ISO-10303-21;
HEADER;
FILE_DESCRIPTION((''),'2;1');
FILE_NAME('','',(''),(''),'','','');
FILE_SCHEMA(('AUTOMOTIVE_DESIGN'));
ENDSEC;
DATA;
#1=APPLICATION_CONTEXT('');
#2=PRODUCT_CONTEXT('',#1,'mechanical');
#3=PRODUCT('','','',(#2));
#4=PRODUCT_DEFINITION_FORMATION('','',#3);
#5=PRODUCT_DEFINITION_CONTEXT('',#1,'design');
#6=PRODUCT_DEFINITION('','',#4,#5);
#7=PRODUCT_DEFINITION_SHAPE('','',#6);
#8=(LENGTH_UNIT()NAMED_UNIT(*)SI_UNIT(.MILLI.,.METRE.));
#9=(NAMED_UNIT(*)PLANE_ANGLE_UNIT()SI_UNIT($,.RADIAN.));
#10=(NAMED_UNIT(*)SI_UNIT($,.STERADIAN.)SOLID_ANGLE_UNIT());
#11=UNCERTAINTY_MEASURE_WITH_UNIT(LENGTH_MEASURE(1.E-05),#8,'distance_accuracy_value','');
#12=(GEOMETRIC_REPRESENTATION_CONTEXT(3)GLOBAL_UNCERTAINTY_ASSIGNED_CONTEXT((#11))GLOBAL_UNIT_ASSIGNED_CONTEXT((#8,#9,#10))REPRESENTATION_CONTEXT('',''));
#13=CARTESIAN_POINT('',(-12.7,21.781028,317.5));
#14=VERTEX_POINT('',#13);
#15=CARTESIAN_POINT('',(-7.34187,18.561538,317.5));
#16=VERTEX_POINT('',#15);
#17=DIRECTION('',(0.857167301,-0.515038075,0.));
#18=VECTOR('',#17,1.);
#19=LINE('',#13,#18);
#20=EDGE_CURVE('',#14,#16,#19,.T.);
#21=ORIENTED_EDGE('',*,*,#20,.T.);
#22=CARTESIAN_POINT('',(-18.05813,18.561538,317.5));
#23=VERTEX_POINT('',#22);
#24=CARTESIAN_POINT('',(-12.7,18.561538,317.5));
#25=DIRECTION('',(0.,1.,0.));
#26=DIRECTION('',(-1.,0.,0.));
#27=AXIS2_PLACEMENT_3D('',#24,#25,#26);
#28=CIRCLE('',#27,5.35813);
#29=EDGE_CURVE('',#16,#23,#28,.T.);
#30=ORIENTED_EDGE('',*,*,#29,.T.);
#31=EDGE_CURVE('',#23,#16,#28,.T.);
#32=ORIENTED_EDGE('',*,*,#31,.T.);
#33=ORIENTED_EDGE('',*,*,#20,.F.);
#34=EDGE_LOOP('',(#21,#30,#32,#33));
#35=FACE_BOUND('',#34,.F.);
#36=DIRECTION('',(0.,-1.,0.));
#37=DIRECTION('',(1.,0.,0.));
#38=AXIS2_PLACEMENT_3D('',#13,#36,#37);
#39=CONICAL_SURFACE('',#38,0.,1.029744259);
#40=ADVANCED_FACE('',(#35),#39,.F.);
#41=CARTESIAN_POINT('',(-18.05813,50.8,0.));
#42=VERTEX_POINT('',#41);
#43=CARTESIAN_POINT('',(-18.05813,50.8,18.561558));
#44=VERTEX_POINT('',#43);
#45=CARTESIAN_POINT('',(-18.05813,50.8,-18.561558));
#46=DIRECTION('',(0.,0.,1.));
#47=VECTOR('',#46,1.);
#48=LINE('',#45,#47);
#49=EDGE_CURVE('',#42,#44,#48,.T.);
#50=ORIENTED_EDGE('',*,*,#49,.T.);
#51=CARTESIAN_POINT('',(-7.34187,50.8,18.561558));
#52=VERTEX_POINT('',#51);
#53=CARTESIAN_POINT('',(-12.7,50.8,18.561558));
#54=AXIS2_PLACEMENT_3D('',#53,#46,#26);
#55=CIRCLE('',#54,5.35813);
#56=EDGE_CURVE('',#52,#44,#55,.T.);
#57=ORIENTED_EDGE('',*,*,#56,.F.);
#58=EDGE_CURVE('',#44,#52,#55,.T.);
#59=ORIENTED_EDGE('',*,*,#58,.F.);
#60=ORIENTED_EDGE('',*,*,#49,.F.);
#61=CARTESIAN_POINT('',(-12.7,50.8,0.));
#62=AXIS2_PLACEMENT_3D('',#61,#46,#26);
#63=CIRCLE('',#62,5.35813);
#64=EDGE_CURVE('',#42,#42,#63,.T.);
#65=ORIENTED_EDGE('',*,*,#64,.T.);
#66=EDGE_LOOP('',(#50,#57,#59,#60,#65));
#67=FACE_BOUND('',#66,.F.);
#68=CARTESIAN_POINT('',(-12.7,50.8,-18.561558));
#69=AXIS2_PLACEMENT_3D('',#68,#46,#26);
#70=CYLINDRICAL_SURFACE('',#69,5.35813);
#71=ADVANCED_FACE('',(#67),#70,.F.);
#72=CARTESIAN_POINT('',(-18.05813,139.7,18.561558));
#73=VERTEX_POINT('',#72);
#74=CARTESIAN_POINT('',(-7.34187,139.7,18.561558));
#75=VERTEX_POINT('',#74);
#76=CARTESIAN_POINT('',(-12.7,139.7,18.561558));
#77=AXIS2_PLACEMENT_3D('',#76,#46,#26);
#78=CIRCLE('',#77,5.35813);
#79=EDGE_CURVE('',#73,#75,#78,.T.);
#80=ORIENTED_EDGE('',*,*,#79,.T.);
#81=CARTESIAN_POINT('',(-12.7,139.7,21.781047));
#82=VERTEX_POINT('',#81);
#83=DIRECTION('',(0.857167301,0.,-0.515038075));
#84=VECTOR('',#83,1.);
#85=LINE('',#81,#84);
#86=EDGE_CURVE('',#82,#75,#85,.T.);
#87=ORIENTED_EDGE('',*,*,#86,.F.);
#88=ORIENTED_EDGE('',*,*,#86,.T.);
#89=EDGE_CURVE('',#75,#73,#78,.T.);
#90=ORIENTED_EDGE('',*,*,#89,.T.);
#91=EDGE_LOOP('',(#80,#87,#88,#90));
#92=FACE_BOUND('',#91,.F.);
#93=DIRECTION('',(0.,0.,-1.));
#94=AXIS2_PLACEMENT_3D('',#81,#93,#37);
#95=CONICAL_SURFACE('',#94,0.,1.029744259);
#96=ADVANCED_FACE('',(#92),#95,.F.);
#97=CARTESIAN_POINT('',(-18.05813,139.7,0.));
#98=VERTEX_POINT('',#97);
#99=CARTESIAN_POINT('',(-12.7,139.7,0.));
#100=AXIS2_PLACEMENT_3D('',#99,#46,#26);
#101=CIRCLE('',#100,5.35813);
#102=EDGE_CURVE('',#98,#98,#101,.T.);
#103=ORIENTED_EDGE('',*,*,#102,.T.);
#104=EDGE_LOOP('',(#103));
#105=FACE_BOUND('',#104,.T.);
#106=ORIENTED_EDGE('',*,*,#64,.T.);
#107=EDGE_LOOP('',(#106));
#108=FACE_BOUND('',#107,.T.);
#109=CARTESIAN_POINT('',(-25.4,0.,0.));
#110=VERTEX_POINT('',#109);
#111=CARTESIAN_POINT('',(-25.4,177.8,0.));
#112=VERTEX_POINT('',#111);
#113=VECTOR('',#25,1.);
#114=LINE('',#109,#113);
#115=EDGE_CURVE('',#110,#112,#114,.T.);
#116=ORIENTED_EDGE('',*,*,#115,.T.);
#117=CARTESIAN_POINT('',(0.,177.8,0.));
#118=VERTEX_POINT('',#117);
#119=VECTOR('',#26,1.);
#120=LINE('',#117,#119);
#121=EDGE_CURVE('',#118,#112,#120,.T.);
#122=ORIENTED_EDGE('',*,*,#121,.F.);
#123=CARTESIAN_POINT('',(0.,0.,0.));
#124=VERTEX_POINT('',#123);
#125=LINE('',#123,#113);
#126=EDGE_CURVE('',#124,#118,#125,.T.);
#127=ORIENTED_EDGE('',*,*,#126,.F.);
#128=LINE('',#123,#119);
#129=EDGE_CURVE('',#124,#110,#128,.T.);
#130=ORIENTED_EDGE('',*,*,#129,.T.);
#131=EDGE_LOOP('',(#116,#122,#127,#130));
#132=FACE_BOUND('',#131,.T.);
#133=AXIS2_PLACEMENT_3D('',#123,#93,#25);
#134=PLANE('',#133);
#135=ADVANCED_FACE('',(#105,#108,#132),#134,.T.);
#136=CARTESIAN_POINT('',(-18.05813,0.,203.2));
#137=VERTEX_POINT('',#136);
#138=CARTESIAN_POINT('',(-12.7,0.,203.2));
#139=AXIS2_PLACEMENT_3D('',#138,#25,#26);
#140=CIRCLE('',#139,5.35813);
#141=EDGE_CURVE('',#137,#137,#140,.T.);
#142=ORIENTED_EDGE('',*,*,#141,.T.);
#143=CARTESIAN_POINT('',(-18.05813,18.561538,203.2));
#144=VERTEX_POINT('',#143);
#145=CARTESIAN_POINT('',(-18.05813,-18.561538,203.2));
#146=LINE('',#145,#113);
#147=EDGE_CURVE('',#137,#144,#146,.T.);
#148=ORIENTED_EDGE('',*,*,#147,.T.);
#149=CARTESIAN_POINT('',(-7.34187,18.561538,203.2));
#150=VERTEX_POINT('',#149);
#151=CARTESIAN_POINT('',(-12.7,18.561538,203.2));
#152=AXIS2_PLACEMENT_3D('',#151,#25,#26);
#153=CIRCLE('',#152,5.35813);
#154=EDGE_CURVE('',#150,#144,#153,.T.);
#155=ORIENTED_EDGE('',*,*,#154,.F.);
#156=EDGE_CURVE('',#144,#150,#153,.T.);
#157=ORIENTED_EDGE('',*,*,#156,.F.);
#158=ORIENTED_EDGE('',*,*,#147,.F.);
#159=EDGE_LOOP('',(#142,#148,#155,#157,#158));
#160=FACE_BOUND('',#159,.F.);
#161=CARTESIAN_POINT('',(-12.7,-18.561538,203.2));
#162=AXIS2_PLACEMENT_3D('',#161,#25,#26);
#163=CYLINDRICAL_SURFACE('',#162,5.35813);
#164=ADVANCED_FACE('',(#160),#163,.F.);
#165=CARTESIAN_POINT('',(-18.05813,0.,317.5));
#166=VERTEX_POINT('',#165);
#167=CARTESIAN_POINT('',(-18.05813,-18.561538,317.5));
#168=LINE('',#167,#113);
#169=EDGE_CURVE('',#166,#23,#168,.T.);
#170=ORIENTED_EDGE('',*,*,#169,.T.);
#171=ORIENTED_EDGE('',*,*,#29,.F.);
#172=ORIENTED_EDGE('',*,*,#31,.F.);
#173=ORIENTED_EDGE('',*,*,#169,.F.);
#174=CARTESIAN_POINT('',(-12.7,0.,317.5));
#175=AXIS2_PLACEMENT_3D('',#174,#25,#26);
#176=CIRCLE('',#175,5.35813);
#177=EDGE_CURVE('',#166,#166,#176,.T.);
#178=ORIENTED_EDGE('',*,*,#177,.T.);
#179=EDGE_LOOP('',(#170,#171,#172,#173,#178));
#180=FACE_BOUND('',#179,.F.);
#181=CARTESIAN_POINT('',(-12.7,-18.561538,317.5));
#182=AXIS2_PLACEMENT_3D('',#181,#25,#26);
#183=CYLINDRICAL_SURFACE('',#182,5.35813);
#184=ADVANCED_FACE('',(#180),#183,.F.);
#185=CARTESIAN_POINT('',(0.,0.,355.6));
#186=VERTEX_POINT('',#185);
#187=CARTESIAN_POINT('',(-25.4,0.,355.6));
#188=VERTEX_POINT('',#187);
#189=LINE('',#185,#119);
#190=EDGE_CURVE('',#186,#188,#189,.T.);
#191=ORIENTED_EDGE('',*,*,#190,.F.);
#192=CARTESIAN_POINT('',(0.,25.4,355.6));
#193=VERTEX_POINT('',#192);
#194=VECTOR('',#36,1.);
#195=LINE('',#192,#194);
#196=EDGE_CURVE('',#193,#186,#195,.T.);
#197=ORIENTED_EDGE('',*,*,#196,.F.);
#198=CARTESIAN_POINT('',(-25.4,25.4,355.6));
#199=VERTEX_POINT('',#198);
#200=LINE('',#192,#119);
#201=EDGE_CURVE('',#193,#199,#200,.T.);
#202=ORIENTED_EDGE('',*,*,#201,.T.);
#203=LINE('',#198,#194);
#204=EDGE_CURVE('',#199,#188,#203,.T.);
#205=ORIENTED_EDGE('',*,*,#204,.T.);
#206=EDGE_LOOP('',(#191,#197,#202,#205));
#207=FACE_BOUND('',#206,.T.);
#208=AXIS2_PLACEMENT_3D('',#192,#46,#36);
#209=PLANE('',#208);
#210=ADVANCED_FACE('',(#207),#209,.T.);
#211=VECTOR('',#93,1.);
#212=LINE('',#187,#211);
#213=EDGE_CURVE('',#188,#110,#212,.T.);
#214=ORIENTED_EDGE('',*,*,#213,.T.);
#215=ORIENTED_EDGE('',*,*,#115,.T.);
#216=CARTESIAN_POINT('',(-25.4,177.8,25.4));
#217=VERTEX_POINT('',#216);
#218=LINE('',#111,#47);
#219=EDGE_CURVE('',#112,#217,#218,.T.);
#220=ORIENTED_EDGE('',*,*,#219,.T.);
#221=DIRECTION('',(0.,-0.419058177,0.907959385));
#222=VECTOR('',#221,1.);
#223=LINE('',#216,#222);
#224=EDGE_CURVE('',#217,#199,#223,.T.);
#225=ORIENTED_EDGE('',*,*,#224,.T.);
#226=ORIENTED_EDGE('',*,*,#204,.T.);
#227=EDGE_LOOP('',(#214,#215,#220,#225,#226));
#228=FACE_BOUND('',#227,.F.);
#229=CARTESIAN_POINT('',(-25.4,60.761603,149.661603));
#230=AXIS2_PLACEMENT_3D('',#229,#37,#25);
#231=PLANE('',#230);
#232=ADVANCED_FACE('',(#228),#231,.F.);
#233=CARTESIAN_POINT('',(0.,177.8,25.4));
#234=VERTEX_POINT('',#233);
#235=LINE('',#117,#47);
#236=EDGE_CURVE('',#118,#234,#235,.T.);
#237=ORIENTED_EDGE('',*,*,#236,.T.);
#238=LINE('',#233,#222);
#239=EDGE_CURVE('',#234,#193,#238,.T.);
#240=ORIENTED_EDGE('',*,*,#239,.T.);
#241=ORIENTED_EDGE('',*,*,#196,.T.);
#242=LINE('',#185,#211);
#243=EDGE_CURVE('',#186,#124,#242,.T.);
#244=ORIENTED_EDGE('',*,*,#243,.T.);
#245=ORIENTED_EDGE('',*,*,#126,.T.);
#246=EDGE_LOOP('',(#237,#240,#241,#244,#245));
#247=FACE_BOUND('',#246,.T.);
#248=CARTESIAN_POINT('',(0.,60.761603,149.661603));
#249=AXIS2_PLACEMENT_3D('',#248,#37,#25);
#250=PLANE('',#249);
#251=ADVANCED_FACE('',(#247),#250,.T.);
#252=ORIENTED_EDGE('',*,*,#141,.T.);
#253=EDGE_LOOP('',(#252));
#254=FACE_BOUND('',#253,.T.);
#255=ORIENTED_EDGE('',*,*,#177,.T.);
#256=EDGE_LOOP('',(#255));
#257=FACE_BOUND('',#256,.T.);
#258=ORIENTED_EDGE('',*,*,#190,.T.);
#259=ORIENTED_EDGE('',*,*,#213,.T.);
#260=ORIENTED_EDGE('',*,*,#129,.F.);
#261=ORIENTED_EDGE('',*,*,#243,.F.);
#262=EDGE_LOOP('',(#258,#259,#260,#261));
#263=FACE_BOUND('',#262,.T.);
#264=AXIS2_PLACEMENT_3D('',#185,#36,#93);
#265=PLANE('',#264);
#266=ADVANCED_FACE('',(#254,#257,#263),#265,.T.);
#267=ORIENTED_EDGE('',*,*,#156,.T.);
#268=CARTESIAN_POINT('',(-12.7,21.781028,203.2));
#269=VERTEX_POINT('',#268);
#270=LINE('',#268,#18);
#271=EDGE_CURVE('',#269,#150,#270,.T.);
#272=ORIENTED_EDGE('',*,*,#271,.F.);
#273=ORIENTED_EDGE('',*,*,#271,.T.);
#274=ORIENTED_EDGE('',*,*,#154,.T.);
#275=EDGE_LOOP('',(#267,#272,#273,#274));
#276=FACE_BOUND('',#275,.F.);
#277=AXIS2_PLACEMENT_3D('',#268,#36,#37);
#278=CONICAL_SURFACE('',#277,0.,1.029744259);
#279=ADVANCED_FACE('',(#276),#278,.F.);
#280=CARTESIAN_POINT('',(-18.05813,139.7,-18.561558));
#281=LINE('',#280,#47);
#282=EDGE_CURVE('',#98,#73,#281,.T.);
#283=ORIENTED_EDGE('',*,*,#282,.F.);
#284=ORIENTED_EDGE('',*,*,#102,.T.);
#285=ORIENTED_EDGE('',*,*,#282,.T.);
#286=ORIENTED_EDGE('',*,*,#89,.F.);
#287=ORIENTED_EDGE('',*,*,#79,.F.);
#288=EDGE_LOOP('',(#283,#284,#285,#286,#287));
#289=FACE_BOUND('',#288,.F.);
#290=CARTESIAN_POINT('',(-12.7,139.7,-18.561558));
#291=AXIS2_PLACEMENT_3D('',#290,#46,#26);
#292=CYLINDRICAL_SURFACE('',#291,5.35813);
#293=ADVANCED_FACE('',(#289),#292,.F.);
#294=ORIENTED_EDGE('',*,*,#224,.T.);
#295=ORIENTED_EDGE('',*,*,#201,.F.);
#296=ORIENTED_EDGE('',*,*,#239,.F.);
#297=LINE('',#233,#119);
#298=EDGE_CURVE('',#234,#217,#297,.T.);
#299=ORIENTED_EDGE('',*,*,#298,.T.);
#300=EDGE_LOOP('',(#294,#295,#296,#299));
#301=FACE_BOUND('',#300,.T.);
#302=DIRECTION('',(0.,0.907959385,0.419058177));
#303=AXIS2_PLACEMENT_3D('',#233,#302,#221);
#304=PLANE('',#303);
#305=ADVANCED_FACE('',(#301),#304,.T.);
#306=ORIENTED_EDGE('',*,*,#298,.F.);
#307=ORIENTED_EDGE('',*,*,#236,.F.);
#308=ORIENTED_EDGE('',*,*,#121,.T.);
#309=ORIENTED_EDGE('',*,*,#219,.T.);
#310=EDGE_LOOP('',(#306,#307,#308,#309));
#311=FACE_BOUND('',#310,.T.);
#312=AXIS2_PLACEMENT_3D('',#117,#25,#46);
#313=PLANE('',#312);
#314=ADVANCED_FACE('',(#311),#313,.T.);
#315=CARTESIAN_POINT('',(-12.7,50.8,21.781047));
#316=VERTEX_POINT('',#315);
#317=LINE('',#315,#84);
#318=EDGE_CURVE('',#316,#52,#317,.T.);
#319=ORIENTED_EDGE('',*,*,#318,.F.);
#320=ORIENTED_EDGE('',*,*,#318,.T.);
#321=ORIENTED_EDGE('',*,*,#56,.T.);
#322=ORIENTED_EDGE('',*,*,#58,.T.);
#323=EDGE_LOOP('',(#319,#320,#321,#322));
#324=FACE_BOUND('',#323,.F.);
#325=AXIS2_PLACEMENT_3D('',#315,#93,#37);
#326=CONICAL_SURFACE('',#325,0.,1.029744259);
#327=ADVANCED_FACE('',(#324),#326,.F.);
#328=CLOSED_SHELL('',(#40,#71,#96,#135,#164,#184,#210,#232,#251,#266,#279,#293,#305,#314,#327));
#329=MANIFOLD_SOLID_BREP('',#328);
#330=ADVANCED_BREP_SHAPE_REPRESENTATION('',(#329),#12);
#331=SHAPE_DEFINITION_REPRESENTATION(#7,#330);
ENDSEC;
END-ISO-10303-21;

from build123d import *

# Parameters (mm, degrees)
F1_DEPTH = 25.4
F3_D     = 10.71626
F3_DEPTH = 18.5615384615
F3_TIP   = 3.2194893086
F5_D     = 10.71626
F5_DEPTH = 18.561558
F5_TIP   = 3.2194893086


with BuildPart() as f1:
    # F0 (on Right) → F1 (new body)
    with BuildSketch(Plane.YZ):
        Polygon((0, 355.6), (0, 0), (177.8, 0), (177.8, 25.4), (25.4, 355.6), align=None)
    extrude(amount=-F1_DEPTH)

    # F3
    with Locations(Plane.XZ):
        with Locations((-12.7, 317.5), (-12.7, 203.2)):
            Hole(F3_D / 2, depth=F3_DEPTH)
            with Locations((0, 0, -(F3_DEPTH + F3_TIP / 2))):  # 118° drill point
                Cone(0, F3_D / 2, F3_TIP, mode=Mode.SUBTRACT)

    # F5
    with Locations(Plane(origin=(0, 0, 0), x_dir=(1, 0, 0), z_dir=(0, 0, -1))):
        with Locations((-12.7, -50.8), (-12.7, -139.7)):
            Hole(F5_D / 2, depth=F5_DEPTH)
            with Locations((0, 0, -(F5_DEPTH + F5_TIP / 2))):  # 118° drill point
                Cone(0, F5_D / 2, F5_TIP, mode=Mode.SUBTRACT)


solid = f1.part
